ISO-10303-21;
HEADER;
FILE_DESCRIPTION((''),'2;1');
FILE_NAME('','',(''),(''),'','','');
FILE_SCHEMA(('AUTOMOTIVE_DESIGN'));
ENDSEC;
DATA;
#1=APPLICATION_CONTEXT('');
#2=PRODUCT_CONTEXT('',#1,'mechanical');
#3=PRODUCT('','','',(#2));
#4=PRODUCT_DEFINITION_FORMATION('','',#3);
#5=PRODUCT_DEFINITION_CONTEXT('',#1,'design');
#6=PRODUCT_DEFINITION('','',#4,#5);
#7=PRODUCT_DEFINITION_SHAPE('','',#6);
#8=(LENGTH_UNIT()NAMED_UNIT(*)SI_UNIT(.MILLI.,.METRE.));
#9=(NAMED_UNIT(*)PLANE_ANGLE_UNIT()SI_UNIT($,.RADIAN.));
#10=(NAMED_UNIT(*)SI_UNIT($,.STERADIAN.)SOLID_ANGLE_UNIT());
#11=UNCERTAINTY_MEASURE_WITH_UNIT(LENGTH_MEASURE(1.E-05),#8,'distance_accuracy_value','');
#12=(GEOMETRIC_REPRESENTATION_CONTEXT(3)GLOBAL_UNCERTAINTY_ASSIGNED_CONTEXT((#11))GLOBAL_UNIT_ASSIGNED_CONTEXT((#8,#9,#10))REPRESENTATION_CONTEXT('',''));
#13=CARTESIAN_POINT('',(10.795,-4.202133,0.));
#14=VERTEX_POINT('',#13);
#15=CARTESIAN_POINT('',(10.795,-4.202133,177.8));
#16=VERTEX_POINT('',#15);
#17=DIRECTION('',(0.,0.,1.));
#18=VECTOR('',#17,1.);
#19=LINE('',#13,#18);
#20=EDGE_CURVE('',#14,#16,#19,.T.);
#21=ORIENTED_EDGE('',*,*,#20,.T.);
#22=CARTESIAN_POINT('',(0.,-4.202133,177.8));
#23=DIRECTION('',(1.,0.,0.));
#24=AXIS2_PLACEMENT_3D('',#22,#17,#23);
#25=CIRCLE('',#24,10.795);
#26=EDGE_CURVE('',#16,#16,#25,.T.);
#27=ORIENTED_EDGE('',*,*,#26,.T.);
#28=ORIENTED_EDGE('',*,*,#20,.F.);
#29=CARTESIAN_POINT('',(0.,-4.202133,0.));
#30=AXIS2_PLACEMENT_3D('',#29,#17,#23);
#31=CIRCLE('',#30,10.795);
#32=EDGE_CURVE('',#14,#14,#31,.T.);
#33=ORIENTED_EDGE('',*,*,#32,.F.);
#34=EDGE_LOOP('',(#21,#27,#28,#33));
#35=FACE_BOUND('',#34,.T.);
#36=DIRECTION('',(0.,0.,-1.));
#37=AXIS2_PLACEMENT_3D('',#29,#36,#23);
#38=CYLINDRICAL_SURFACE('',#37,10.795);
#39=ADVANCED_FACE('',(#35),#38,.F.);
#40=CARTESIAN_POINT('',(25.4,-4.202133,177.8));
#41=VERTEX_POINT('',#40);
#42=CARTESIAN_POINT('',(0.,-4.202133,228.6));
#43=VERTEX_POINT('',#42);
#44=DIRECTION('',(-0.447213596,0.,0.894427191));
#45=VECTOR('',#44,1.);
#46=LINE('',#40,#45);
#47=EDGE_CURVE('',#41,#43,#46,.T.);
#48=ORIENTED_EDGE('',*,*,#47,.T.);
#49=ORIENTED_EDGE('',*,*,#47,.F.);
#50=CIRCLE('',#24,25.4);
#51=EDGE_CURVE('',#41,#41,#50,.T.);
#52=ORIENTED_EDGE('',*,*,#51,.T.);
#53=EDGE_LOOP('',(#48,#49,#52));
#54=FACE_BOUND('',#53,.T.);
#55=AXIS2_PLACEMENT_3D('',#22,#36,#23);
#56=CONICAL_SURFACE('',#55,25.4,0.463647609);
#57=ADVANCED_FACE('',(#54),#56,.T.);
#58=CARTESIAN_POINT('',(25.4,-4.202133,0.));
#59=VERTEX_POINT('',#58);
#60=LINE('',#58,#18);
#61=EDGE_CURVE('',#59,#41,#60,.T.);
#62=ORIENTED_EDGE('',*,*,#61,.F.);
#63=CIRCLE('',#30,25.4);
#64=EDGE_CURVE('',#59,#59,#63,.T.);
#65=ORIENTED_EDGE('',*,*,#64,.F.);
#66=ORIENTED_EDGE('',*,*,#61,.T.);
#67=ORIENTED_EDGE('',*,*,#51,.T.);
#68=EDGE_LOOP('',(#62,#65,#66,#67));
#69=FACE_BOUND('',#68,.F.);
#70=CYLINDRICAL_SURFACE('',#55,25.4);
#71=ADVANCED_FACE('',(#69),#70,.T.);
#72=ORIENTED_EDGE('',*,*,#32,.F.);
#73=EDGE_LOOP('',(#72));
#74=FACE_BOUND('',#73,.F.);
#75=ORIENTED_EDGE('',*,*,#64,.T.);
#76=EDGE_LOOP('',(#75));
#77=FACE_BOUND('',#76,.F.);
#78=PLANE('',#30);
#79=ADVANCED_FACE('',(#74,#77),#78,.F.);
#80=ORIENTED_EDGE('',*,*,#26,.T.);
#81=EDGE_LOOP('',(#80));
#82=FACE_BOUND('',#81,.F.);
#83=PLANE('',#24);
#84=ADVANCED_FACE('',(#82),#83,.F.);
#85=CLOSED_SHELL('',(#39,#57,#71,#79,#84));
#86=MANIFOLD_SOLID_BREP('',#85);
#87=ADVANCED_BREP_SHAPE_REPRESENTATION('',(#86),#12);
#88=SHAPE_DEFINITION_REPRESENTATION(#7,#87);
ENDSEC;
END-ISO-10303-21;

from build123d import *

# Parameters (mm, degrees)
F0_R     = 25.4
F0_R_2   = 10.795
F1_DEPTH = 177.8
F2_R     = 25.4
F3_DEPTH = 50.8
F4_SIZE2 = 25.4
F4_SIZE  = 50.8


with BuildPart() as f1:
    # F0 (on Top) → F1 (new body)
    with BuildSketch(Plane.XY):
        with Locations((0, -4.202133)):
            Circle(F0_R)
        with Locations((0, -4.202133)):
            Circle(F0_R_2, mode=Mode.SUBTRACT)
    extrude(amount=F1_DEPTH)

    # F2 (on face) → F3 (join)
    with BuildSketch(Plane.XY.offset(177.8)):
        with Locations((0, -4.202133)):
            Circle(F2_R)
    extrude(amount=F3_DEPTH)

    # F4
    f4_edges = [f1.edges().sort_by_distance(p)[0] for p in [
        (-25.4, -4.202133, 228.6),
    ]]
    chamfer(f4_edges, length=F4_SIZE, length2=F4_SIZE2)


solid = f1.part
